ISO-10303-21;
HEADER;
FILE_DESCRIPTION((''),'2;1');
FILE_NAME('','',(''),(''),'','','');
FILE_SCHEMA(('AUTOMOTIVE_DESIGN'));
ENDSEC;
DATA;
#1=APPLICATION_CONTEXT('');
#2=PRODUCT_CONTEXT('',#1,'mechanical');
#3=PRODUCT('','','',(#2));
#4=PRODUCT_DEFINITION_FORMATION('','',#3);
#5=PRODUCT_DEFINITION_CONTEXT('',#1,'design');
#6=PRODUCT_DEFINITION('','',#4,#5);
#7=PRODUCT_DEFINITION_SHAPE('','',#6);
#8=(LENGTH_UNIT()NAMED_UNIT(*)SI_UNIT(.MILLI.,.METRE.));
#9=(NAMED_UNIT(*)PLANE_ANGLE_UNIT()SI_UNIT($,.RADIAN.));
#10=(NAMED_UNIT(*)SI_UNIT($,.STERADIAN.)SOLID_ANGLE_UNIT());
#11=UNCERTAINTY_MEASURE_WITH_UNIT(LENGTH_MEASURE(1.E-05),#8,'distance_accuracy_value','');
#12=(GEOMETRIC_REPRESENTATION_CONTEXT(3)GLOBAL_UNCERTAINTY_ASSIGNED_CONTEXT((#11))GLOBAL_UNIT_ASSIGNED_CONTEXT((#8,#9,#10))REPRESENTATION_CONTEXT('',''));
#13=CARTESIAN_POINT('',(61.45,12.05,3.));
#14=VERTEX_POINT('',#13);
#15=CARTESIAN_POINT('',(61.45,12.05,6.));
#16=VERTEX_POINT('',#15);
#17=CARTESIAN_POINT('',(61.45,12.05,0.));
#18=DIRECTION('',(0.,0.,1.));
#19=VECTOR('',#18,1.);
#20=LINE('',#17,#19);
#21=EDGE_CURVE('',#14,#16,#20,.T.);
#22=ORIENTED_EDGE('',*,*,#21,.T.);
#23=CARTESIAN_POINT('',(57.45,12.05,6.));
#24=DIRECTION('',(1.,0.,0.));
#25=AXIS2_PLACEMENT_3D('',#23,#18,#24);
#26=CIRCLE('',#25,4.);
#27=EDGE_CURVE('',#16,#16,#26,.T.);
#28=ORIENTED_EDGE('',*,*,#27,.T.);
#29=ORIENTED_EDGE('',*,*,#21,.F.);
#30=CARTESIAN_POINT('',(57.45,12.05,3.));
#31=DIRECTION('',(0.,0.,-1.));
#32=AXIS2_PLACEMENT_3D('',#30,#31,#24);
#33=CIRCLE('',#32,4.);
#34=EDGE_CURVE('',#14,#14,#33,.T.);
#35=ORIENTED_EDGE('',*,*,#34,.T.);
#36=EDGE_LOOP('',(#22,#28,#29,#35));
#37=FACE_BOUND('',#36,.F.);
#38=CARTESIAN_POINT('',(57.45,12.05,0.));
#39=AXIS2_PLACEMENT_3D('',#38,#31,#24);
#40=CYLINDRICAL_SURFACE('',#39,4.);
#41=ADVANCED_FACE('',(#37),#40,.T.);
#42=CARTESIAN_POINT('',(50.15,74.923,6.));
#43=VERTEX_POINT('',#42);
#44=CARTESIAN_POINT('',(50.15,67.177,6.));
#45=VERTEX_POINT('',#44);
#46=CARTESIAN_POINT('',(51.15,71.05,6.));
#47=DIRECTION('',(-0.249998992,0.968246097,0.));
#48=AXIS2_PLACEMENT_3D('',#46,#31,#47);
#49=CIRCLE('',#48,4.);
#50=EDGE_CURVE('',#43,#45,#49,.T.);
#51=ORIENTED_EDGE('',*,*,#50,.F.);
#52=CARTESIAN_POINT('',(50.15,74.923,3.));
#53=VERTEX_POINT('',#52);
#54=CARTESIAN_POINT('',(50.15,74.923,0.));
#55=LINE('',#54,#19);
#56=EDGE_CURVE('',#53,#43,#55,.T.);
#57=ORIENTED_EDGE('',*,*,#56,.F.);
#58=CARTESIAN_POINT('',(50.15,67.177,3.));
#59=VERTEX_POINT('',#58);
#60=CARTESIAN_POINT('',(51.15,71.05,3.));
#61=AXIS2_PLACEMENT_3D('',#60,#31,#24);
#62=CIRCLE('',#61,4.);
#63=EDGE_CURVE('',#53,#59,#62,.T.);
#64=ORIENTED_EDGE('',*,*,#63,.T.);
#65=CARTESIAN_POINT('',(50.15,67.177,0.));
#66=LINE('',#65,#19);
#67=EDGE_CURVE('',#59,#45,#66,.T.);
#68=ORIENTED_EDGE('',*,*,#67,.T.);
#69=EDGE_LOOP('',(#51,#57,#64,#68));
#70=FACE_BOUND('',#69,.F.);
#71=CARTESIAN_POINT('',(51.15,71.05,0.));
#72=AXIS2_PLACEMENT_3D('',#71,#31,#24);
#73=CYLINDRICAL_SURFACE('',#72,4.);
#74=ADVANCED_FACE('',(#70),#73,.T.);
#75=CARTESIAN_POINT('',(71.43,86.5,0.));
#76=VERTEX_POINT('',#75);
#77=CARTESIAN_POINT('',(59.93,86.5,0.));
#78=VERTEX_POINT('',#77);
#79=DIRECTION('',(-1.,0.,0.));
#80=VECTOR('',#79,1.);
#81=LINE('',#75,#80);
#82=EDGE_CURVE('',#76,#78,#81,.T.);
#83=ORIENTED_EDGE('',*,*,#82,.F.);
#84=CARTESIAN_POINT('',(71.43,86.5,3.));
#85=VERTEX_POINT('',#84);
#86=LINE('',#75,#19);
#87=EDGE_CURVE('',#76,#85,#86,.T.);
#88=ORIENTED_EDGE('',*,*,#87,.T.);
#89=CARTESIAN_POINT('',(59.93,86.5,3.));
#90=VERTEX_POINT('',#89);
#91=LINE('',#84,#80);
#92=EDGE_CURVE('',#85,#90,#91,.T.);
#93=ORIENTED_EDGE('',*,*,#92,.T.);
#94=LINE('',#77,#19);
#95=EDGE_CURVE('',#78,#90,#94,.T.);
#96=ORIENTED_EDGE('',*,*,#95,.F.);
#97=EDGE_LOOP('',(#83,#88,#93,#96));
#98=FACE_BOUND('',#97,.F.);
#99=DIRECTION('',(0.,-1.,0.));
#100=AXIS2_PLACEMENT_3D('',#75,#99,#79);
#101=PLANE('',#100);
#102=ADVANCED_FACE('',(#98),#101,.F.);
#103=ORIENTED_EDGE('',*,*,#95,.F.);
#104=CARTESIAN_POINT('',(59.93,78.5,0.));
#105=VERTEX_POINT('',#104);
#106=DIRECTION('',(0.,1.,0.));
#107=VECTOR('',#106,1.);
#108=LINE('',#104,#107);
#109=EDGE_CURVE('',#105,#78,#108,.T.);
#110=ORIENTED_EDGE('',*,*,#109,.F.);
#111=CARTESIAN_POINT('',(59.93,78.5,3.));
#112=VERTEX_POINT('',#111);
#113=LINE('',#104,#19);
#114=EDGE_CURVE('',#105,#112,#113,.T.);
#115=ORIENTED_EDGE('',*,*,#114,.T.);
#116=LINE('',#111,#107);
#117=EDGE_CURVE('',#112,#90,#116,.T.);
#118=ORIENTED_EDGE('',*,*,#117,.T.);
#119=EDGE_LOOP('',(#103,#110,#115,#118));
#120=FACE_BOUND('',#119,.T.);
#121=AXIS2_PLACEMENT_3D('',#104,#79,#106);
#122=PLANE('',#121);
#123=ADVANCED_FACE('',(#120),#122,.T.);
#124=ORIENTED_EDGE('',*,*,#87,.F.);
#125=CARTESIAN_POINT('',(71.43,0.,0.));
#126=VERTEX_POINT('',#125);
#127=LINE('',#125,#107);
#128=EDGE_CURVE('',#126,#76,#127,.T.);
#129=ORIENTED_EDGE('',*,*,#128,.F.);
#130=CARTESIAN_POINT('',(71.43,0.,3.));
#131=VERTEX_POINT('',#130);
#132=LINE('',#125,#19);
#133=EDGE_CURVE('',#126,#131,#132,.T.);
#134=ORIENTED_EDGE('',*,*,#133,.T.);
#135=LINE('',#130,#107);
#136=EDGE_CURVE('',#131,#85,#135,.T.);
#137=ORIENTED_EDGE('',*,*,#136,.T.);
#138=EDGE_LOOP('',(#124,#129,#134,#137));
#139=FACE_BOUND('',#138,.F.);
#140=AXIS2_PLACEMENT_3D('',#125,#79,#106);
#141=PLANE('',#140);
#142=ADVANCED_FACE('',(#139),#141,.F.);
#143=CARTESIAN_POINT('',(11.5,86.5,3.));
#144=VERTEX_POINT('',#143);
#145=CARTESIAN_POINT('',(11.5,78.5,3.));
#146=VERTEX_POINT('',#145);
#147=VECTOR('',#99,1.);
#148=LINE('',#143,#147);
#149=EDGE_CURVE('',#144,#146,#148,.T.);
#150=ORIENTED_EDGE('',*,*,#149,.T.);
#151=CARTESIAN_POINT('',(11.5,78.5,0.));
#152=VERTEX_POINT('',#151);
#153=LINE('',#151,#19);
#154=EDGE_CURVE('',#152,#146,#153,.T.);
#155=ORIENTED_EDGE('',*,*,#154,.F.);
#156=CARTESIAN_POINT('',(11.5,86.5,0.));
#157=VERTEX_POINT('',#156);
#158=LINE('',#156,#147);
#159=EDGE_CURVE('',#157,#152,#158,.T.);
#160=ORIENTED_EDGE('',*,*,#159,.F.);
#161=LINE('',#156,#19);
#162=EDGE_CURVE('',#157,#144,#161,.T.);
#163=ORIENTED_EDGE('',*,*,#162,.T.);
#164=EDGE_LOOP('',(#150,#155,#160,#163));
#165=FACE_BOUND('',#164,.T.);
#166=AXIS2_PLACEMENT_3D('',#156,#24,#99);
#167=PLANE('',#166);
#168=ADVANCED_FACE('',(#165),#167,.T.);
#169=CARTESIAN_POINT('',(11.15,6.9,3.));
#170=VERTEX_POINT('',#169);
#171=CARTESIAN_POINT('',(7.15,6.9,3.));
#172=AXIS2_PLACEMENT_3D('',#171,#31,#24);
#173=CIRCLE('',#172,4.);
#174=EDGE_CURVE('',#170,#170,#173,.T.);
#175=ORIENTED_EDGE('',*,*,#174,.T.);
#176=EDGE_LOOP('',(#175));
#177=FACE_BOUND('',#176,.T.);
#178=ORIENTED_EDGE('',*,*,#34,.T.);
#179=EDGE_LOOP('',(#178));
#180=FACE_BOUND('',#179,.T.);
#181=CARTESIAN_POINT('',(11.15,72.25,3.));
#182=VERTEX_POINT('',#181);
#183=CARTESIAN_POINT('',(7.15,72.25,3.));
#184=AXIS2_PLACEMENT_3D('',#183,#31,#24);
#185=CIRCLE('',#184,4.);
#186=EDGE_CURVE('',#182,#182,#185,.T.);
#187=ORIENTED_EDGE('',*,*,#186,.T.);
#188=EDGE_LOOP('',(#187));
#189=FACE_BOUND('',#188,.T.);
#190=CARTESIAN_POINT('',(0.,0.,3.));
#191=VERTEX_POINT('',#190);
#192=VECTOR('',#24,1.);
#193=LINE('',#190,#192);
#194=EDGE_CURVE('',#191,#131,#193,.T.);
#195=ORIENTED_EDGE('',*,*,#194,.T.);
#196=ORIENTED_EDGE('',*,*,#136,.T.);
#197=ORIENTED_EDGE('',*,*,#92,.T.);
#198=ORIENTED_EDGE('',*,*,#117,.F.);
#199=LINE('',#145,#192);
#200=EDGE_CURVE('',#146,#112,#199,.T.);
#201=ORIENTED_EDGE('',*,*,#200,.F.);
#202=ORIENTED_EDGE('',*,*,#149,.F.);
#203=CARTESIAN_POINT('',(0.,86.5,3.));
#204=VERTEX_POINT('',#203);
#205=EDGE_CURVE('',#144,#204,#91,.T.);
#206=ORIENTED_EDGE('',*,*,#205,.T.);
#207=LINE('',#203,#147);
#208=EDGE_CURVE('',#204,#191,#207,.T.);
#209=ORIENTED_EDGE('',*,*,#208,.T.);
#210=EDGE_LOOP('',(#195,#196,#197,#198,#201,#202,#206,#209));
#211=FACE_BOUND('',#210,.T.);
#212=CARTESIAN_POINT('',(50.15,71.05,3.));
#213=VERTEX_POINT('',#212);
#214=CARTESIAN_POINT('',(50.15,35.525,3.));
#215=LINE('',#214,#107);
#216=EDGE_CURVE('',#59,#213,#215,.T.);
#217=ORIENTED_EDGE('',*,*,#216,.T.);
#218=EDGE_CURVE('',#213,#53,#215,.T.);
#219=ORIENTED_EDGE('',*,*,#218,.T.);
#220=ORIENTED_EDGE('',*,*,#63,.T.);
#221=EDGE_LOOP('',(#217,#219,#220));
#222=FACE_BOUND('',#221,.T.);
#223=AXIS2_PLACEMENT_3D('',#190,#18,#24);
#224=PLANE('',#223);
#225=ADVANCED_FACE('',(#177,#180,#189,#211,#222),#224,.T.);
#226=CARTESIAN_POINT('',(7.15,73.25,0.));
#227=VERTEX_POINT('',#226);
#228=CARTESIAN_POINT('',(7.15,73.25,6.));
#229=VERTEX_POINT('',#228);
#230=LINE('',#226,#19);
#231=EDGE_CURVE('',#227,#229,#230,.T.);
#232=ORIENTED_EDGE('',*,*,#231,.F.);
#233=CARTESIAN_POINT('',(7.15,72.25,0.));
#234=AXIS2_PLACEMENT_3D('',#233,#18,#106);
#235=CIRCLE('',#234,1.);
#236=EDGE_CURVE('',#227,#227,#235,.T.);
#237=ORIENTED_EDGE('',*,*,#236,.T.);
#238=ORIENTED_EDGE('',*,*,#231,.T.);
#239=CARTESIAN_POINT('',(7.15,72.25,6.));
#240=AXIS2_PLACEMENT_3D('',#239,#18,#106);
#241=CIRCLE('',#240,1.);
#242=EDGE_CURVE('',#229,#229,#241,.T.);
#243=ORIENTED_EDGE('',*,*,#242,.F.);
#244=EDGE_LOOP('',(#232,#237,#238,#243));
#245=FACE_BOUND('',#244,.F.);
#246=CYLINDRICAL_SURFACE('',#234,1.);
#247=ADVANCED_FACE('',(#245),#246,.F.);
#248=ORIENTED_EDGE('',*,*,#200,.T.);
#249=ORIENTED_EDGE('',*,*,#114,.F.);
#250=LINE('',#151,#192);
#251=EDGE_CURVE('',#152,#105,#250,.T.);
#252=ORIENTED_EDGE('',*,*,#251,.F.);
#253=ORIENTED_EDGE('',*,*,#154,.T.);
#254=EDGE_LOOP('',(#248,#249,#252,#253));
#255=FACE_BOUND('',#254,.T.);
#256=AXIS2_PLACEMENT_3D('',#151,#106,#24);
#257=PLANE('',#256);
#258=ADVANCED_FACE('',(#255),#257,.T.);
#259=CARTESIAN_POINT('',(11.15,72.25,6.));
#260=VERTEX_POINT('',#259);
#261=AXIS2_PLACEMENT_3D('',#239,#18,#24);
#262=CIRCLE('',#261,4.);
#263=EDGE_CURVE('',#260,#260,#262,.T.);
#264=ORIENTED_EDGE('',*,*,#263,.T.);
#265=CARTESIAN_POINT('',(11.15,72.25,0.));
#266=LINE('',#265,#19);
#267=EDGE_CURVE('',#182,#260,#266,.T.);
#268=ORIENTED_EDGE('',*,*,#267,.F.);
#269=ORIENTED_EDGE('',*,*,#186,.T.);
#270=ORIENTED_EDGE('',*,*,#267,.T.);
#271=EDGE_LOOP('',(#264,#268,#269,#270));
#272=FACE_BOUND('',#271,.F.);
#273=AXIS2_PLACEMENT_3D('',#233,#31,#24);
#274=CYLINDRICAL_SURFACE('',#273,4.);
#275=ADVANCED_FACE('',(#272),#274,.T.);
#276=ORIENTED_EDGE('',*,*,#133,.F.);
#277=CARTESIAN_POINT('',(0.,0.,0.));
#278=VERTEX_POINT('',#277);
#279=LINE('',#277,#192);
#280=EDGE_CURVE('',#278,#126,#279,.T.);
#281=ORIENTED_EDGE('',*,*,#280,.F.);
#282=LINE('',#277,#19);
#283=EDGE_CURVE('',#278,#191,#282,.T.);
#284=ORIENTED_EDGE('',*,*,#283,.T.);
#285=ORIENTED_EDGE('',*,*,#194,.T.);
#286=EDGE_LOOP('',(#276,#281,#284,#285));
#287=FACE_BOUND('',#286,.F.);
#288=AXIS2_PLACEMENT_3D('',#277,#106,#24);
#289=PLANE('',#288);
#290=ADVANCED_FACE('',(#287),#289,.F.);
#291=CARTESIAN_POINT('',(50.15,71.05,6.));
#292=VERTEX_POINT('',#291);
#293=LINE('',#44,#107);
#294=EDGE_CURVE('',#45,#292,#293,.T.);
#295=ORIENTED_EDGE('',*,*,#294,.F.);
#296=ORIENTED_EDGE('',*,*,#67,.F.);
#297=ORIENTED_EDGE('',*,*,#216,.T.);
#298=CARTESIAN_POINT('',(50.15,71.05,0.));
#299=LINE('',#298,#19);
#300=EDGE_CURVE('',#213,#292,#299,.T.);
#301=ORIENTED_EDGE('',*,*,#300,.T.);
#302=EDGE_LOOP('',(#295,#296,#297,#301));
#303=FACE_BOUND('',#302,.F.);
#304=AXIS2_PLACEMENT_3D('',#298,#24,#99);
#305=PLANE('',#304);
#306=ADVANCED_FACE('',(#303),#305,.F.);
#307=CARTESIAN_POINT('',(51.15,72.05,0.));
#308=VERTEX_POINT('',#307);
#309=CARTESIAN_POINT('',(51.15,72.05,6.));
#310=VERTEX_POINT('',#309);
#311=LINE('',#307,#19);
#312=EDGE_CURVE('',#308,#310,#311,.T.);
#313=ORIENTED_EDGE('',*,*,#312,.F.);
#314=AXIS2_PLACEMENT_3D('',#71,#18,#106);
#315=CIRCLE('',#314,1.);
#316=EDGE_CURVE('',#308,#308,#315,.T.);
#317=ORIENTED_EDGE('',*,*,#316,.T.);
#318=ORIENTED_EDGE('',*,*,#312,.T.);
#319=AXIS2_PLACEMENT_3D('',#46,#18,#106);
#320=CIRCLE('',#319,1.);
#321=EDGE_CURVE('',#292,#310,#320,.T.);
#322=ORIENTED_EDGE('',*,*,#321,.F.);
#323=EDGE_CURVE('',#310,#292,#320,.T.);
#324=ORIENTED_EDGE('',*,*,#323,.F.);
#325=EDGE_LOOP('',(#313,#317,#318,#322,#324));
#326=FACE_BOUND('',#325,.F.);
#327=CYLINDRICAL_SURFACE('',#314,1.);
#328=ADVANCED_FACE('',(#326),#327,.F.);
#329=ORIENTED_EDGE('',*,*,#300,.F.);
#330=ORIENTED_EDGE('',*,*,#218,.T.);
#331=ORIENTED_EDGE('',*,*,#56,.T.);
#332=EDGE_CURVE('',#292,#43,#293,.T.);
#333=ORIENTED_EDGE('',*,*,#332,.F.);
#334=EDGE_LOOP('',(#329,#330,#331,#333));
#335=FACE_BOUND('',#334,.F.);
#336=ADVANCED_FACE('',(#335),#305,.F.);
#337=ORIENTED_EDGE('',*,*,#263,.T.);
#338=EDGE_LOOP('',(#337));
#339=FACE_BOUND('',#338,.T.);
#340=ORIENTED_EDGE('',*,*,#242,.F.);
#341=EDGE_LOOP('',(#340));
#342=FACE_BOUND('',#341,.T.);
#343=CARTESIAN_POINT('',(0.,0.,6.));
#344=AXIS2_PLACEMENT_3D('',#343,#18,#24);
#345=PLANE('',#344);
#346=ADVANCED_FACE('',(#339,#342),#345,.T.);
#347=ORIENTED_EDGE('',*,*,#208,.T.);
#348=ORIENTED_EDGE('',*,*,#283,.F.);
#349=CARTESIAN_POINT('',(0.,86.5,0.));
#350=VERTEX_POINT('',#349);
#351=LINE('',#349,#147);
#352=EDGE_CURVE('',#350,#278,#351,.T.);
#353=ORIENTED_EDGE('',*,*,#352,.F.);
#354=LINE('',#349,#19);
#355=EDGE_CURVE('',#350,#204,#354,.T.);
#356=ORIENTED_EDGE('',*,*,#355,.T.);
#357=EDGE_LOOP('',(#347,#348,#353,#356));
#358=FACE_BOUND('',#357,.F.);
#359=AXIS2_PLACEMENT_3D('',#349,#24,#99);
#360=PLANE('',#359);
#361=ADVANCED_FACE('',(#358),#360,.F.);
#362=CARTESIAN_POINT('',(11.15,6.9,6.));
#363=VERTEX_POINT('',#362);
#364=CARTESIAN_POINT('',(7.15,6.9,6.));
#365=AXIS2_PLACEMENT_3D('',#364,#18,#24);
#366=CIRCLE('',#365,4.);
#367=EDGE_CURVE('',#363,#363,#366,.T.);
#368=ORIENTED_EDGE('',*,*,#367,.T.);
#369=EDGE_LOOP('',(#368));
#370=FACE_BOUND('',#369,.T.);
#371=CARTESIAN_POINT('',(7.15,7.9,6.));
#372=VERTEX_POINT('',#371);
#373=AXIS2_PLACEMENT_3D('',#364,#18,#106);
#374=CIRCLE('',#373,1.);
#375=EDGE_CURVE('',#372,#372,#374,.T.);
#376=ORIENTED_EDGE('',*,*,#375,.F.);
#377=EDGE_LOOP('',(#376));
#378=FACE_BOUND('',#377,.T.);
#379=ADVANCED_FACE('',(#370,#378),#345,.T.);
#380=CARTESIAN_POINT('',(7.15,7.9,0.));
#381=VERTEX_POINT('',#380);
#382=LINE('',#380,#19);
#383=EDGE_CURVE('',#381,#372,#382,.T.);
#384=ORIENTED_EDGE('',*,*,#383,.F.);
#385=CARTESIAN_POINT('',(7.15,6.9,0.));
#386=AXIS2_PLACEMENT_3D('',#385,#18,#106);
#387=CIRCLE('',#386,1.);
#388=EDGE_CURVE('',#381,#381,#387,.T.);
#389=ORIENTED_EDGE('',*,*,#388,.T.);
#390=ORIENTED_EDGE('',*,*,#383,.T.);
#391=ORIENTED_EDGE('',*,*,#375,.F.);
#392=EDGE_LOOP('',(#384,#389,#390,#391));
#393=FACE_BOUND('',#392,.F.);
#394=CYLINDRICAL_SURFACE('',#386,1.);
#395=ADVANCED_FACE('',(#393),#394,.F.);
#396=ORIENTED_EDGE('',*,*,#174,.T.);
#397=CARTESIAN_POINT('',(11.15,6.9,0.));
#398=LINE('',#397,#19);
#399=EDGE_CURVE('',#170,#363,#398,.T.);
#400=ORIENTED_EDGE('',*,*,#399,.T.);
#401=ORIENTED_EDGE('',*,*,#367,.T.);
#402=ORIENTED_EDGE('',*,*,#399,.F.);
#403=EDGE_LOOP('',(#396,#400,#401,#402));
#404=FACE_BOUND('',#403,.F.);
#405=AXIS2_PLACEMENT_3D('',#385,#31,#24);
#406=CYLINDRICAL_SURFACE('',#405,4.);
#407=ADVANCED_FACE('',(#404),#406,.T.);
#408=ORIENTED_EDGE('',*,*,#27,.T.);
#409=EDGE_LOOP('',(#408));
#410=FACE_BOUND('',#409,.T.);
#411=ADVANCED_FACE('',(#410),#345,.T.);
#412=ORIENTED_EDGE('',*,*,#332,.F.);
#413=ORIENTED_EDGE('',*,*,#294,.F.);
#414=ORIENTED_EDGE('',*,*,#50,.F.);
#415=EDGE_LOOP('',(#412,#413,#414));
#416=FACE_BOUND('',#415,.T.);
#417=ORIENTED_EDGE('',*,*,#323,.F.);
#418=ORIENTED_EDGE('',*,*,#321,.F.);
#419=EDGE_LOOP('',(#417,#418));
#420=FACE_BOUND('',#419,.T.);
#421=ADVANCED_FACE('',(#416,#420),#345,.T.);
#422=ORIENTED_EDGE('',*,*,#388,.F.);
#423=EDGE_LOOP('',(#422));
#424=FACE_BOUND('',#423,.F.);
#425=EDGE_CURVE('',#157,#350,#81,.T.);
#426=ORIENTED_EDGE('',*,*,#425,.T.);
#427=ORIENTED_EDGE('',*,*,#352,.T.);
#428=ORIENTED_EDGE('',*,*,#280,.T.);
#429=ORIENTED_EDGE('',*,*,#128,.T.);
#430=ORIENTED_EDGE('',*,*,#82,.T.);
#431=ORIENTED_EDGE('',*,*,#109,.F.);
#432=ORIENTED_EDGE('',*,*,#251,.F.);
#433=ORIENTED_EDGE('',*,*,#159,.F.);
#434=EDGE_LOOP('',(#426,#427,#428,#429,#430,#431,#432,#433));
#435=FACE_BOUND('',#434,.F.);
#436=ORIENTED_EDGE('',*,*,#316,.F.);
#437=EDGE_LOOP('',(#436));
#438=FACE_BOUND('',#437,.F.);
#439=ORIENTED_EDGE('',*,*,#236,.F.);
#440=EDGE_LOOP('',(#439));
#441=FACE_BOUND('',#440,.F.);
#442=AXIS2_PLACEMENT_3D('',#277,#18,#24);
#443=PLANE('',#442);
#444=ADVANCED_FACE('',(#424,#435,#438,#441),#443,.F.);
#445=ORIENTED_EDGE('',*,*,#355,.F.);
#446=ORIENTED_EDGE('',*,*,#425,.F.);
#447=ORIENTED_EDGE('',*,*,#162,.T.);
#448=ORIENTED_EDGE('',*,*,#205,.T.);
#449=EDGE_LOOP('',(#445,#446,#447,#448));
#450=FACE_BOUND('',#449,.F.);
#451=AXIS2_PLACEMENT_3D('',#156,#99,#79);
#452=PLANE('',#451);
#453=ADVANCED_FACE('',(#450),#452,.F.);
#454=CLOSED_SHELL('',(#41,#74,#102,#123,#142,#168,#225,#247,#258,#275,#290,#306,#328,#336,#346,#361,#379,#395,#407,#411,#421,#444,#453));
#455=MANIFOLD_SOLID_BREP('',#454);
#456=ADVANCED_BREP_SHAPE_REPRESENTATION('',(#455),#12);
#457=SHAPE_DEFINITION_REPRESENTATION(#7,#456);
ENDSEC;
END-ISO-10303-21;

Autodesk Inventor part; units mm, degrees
ref_plane "YZ Plane" through (0, 0, 0) normal (1, 0, 0) x (0, 1, 0)
ref_plane "XZ Plane" through (0, 0, 0) normal (0, 1, 0) x (-1, 0, 0)
ref_plane "XY Plane" through (0, 0, 0) normal (0, 0, 1) x (1, 0, 0)
sketch "Sketch1" plane through (0, 0, 0) normal (0, 0, 1) x (1, 0, 0)
  line L0 (0, 0) -> (71.43, 0)
  line L1 (71.43, 0) -> (71.43, 86.5)
  line L2 (71.43, 86.5) -> (0, 86.5)
  line L3 (0, 86.5) -> (0, 0)
  line L4 (14, 86.5) -> (57.43, 86.5)
  circle A0 centre (6.25, 81.5) radius 1.5
  circle A1 centre (65.18, 81.5) radius 1.5
  line L5 (11.5, 78.5) -> (59.93, 78.5)
  line L6 (59.93, 78.5) -> (59.93, 86.5)
  line L7 (59.93, 86.5) -> (11.5, 86.5)
  line L8 (11.5, 86.5) -> (11.5, 78.5)
  line L9 (11.5, 78.5) -> (59.93, 86.5) construction
  line L10 (59.93, 78.5) -> (11.5, 86.5) construction
  line L11 (35.715, 86.5) -> (35.715, 82.5) construction
  line L12 (2.95, 2.05) -> (68.45, 2.05)
  line L13 (68.45, 2.05) -> (68.45, 76.45)
  line L14 (68.45, 76.45) -> (2.95, 76.45)
  line L15 (2.95, 76.45) -> (2.95, 2.05)
  line L16 (2.95, 2.05) -> (68.45, 76.45) construction
  line L17 (68.45, 2.05) -> (2.95, 76.45) construction
  circle A2 centre (7.15, 72.25) radius 4
  circle A3 centre (51.15, 71.05) radius 4
  circle A4 centre (7.15, 6.9) radius 4
  circle A5 centre (57.45, 12.05) radius 4
  circle A6 centre (7.15, 72.25) radius 1
  circle A7 centre (51.15, 71.05) radius 1
  circle A8 centre (7.15, 6.9) radius 1
  circle A9 centre (57.45, 12.05) radius 1
  line L18 (50.15, 74.923) -> (50.15, 67.177)
  point P0 (11.5, 86.5)
  point P1 (35.7, 39.25)
  point P2 (35.715, 0)
  point P3 (35.7, 2.05)
  point P4 (9.1397, 10.37)
  point P5 (9.1397, 3.43)
  point P6 (8.15, 10.773)
  point P7 (8.15, 3.027)
  dimension "d0" = 71.43
  dimension "d1" = 86.5
  dimension "d8" = 3
  dimension "d9" = 6.25
  dimension "d10" = 5
  dimension "d11" = 3
  dimension "d12" = 5
  dimension "d13" = 6.25
  dimension "d15" = 48.43
  dimension "d16" = 8
  dimension "d17" = 4
  dimension "d19" = 65.5
  dimension "d20" = 74.4
  dimension "d21" = 2.05
  dimension "d22" = 2.95
  dimension "d23" = 4.2
  dimension "d24" = 4.2
  dimension "d25" = 8
  dimension "d26" = 8
  dimension "d27" = 5.4
  dimension "d29" = 4.85
  dimension "d30" = 4.2
  dimension "d31" = 8
  dimension "d34" = 8
  dimension "d35" = 11
  dimension "d36" = 10
  dimension "d37" = 2
  dimension "d38" = 2
  dimension "d39" = 2
  dimension "d40" = 2
  dimension "d55" = 44
extrude "Extrusion1" add sketch "Sketch1" along normal blind 3 contours L3 L2 L8 L5 L6 L1 L0 | A0 | A1 | L15 L14 L13 L12 | A2 | A7 | A3 L18 | L18 A3 | A4 | A5 | A6 | A8 | A9
extrude "Extrusion2" add sketch "Sketch1" along normal blind 6 contours A2 | A7 | A3 L18 | A4 | A5 | A6 | A8 | A9 picked at (54.1155, 70.7487)
hole "Hole2" at (51.15, 71.05, 0) at (7.15, 72.25, 0) at (7.15, 6.9, 0) direction (0, 0, 1) diameter 2 end through all
equation "\"d13\" = d9"
properties part number "Component_shield_layered_PCB_platform"
